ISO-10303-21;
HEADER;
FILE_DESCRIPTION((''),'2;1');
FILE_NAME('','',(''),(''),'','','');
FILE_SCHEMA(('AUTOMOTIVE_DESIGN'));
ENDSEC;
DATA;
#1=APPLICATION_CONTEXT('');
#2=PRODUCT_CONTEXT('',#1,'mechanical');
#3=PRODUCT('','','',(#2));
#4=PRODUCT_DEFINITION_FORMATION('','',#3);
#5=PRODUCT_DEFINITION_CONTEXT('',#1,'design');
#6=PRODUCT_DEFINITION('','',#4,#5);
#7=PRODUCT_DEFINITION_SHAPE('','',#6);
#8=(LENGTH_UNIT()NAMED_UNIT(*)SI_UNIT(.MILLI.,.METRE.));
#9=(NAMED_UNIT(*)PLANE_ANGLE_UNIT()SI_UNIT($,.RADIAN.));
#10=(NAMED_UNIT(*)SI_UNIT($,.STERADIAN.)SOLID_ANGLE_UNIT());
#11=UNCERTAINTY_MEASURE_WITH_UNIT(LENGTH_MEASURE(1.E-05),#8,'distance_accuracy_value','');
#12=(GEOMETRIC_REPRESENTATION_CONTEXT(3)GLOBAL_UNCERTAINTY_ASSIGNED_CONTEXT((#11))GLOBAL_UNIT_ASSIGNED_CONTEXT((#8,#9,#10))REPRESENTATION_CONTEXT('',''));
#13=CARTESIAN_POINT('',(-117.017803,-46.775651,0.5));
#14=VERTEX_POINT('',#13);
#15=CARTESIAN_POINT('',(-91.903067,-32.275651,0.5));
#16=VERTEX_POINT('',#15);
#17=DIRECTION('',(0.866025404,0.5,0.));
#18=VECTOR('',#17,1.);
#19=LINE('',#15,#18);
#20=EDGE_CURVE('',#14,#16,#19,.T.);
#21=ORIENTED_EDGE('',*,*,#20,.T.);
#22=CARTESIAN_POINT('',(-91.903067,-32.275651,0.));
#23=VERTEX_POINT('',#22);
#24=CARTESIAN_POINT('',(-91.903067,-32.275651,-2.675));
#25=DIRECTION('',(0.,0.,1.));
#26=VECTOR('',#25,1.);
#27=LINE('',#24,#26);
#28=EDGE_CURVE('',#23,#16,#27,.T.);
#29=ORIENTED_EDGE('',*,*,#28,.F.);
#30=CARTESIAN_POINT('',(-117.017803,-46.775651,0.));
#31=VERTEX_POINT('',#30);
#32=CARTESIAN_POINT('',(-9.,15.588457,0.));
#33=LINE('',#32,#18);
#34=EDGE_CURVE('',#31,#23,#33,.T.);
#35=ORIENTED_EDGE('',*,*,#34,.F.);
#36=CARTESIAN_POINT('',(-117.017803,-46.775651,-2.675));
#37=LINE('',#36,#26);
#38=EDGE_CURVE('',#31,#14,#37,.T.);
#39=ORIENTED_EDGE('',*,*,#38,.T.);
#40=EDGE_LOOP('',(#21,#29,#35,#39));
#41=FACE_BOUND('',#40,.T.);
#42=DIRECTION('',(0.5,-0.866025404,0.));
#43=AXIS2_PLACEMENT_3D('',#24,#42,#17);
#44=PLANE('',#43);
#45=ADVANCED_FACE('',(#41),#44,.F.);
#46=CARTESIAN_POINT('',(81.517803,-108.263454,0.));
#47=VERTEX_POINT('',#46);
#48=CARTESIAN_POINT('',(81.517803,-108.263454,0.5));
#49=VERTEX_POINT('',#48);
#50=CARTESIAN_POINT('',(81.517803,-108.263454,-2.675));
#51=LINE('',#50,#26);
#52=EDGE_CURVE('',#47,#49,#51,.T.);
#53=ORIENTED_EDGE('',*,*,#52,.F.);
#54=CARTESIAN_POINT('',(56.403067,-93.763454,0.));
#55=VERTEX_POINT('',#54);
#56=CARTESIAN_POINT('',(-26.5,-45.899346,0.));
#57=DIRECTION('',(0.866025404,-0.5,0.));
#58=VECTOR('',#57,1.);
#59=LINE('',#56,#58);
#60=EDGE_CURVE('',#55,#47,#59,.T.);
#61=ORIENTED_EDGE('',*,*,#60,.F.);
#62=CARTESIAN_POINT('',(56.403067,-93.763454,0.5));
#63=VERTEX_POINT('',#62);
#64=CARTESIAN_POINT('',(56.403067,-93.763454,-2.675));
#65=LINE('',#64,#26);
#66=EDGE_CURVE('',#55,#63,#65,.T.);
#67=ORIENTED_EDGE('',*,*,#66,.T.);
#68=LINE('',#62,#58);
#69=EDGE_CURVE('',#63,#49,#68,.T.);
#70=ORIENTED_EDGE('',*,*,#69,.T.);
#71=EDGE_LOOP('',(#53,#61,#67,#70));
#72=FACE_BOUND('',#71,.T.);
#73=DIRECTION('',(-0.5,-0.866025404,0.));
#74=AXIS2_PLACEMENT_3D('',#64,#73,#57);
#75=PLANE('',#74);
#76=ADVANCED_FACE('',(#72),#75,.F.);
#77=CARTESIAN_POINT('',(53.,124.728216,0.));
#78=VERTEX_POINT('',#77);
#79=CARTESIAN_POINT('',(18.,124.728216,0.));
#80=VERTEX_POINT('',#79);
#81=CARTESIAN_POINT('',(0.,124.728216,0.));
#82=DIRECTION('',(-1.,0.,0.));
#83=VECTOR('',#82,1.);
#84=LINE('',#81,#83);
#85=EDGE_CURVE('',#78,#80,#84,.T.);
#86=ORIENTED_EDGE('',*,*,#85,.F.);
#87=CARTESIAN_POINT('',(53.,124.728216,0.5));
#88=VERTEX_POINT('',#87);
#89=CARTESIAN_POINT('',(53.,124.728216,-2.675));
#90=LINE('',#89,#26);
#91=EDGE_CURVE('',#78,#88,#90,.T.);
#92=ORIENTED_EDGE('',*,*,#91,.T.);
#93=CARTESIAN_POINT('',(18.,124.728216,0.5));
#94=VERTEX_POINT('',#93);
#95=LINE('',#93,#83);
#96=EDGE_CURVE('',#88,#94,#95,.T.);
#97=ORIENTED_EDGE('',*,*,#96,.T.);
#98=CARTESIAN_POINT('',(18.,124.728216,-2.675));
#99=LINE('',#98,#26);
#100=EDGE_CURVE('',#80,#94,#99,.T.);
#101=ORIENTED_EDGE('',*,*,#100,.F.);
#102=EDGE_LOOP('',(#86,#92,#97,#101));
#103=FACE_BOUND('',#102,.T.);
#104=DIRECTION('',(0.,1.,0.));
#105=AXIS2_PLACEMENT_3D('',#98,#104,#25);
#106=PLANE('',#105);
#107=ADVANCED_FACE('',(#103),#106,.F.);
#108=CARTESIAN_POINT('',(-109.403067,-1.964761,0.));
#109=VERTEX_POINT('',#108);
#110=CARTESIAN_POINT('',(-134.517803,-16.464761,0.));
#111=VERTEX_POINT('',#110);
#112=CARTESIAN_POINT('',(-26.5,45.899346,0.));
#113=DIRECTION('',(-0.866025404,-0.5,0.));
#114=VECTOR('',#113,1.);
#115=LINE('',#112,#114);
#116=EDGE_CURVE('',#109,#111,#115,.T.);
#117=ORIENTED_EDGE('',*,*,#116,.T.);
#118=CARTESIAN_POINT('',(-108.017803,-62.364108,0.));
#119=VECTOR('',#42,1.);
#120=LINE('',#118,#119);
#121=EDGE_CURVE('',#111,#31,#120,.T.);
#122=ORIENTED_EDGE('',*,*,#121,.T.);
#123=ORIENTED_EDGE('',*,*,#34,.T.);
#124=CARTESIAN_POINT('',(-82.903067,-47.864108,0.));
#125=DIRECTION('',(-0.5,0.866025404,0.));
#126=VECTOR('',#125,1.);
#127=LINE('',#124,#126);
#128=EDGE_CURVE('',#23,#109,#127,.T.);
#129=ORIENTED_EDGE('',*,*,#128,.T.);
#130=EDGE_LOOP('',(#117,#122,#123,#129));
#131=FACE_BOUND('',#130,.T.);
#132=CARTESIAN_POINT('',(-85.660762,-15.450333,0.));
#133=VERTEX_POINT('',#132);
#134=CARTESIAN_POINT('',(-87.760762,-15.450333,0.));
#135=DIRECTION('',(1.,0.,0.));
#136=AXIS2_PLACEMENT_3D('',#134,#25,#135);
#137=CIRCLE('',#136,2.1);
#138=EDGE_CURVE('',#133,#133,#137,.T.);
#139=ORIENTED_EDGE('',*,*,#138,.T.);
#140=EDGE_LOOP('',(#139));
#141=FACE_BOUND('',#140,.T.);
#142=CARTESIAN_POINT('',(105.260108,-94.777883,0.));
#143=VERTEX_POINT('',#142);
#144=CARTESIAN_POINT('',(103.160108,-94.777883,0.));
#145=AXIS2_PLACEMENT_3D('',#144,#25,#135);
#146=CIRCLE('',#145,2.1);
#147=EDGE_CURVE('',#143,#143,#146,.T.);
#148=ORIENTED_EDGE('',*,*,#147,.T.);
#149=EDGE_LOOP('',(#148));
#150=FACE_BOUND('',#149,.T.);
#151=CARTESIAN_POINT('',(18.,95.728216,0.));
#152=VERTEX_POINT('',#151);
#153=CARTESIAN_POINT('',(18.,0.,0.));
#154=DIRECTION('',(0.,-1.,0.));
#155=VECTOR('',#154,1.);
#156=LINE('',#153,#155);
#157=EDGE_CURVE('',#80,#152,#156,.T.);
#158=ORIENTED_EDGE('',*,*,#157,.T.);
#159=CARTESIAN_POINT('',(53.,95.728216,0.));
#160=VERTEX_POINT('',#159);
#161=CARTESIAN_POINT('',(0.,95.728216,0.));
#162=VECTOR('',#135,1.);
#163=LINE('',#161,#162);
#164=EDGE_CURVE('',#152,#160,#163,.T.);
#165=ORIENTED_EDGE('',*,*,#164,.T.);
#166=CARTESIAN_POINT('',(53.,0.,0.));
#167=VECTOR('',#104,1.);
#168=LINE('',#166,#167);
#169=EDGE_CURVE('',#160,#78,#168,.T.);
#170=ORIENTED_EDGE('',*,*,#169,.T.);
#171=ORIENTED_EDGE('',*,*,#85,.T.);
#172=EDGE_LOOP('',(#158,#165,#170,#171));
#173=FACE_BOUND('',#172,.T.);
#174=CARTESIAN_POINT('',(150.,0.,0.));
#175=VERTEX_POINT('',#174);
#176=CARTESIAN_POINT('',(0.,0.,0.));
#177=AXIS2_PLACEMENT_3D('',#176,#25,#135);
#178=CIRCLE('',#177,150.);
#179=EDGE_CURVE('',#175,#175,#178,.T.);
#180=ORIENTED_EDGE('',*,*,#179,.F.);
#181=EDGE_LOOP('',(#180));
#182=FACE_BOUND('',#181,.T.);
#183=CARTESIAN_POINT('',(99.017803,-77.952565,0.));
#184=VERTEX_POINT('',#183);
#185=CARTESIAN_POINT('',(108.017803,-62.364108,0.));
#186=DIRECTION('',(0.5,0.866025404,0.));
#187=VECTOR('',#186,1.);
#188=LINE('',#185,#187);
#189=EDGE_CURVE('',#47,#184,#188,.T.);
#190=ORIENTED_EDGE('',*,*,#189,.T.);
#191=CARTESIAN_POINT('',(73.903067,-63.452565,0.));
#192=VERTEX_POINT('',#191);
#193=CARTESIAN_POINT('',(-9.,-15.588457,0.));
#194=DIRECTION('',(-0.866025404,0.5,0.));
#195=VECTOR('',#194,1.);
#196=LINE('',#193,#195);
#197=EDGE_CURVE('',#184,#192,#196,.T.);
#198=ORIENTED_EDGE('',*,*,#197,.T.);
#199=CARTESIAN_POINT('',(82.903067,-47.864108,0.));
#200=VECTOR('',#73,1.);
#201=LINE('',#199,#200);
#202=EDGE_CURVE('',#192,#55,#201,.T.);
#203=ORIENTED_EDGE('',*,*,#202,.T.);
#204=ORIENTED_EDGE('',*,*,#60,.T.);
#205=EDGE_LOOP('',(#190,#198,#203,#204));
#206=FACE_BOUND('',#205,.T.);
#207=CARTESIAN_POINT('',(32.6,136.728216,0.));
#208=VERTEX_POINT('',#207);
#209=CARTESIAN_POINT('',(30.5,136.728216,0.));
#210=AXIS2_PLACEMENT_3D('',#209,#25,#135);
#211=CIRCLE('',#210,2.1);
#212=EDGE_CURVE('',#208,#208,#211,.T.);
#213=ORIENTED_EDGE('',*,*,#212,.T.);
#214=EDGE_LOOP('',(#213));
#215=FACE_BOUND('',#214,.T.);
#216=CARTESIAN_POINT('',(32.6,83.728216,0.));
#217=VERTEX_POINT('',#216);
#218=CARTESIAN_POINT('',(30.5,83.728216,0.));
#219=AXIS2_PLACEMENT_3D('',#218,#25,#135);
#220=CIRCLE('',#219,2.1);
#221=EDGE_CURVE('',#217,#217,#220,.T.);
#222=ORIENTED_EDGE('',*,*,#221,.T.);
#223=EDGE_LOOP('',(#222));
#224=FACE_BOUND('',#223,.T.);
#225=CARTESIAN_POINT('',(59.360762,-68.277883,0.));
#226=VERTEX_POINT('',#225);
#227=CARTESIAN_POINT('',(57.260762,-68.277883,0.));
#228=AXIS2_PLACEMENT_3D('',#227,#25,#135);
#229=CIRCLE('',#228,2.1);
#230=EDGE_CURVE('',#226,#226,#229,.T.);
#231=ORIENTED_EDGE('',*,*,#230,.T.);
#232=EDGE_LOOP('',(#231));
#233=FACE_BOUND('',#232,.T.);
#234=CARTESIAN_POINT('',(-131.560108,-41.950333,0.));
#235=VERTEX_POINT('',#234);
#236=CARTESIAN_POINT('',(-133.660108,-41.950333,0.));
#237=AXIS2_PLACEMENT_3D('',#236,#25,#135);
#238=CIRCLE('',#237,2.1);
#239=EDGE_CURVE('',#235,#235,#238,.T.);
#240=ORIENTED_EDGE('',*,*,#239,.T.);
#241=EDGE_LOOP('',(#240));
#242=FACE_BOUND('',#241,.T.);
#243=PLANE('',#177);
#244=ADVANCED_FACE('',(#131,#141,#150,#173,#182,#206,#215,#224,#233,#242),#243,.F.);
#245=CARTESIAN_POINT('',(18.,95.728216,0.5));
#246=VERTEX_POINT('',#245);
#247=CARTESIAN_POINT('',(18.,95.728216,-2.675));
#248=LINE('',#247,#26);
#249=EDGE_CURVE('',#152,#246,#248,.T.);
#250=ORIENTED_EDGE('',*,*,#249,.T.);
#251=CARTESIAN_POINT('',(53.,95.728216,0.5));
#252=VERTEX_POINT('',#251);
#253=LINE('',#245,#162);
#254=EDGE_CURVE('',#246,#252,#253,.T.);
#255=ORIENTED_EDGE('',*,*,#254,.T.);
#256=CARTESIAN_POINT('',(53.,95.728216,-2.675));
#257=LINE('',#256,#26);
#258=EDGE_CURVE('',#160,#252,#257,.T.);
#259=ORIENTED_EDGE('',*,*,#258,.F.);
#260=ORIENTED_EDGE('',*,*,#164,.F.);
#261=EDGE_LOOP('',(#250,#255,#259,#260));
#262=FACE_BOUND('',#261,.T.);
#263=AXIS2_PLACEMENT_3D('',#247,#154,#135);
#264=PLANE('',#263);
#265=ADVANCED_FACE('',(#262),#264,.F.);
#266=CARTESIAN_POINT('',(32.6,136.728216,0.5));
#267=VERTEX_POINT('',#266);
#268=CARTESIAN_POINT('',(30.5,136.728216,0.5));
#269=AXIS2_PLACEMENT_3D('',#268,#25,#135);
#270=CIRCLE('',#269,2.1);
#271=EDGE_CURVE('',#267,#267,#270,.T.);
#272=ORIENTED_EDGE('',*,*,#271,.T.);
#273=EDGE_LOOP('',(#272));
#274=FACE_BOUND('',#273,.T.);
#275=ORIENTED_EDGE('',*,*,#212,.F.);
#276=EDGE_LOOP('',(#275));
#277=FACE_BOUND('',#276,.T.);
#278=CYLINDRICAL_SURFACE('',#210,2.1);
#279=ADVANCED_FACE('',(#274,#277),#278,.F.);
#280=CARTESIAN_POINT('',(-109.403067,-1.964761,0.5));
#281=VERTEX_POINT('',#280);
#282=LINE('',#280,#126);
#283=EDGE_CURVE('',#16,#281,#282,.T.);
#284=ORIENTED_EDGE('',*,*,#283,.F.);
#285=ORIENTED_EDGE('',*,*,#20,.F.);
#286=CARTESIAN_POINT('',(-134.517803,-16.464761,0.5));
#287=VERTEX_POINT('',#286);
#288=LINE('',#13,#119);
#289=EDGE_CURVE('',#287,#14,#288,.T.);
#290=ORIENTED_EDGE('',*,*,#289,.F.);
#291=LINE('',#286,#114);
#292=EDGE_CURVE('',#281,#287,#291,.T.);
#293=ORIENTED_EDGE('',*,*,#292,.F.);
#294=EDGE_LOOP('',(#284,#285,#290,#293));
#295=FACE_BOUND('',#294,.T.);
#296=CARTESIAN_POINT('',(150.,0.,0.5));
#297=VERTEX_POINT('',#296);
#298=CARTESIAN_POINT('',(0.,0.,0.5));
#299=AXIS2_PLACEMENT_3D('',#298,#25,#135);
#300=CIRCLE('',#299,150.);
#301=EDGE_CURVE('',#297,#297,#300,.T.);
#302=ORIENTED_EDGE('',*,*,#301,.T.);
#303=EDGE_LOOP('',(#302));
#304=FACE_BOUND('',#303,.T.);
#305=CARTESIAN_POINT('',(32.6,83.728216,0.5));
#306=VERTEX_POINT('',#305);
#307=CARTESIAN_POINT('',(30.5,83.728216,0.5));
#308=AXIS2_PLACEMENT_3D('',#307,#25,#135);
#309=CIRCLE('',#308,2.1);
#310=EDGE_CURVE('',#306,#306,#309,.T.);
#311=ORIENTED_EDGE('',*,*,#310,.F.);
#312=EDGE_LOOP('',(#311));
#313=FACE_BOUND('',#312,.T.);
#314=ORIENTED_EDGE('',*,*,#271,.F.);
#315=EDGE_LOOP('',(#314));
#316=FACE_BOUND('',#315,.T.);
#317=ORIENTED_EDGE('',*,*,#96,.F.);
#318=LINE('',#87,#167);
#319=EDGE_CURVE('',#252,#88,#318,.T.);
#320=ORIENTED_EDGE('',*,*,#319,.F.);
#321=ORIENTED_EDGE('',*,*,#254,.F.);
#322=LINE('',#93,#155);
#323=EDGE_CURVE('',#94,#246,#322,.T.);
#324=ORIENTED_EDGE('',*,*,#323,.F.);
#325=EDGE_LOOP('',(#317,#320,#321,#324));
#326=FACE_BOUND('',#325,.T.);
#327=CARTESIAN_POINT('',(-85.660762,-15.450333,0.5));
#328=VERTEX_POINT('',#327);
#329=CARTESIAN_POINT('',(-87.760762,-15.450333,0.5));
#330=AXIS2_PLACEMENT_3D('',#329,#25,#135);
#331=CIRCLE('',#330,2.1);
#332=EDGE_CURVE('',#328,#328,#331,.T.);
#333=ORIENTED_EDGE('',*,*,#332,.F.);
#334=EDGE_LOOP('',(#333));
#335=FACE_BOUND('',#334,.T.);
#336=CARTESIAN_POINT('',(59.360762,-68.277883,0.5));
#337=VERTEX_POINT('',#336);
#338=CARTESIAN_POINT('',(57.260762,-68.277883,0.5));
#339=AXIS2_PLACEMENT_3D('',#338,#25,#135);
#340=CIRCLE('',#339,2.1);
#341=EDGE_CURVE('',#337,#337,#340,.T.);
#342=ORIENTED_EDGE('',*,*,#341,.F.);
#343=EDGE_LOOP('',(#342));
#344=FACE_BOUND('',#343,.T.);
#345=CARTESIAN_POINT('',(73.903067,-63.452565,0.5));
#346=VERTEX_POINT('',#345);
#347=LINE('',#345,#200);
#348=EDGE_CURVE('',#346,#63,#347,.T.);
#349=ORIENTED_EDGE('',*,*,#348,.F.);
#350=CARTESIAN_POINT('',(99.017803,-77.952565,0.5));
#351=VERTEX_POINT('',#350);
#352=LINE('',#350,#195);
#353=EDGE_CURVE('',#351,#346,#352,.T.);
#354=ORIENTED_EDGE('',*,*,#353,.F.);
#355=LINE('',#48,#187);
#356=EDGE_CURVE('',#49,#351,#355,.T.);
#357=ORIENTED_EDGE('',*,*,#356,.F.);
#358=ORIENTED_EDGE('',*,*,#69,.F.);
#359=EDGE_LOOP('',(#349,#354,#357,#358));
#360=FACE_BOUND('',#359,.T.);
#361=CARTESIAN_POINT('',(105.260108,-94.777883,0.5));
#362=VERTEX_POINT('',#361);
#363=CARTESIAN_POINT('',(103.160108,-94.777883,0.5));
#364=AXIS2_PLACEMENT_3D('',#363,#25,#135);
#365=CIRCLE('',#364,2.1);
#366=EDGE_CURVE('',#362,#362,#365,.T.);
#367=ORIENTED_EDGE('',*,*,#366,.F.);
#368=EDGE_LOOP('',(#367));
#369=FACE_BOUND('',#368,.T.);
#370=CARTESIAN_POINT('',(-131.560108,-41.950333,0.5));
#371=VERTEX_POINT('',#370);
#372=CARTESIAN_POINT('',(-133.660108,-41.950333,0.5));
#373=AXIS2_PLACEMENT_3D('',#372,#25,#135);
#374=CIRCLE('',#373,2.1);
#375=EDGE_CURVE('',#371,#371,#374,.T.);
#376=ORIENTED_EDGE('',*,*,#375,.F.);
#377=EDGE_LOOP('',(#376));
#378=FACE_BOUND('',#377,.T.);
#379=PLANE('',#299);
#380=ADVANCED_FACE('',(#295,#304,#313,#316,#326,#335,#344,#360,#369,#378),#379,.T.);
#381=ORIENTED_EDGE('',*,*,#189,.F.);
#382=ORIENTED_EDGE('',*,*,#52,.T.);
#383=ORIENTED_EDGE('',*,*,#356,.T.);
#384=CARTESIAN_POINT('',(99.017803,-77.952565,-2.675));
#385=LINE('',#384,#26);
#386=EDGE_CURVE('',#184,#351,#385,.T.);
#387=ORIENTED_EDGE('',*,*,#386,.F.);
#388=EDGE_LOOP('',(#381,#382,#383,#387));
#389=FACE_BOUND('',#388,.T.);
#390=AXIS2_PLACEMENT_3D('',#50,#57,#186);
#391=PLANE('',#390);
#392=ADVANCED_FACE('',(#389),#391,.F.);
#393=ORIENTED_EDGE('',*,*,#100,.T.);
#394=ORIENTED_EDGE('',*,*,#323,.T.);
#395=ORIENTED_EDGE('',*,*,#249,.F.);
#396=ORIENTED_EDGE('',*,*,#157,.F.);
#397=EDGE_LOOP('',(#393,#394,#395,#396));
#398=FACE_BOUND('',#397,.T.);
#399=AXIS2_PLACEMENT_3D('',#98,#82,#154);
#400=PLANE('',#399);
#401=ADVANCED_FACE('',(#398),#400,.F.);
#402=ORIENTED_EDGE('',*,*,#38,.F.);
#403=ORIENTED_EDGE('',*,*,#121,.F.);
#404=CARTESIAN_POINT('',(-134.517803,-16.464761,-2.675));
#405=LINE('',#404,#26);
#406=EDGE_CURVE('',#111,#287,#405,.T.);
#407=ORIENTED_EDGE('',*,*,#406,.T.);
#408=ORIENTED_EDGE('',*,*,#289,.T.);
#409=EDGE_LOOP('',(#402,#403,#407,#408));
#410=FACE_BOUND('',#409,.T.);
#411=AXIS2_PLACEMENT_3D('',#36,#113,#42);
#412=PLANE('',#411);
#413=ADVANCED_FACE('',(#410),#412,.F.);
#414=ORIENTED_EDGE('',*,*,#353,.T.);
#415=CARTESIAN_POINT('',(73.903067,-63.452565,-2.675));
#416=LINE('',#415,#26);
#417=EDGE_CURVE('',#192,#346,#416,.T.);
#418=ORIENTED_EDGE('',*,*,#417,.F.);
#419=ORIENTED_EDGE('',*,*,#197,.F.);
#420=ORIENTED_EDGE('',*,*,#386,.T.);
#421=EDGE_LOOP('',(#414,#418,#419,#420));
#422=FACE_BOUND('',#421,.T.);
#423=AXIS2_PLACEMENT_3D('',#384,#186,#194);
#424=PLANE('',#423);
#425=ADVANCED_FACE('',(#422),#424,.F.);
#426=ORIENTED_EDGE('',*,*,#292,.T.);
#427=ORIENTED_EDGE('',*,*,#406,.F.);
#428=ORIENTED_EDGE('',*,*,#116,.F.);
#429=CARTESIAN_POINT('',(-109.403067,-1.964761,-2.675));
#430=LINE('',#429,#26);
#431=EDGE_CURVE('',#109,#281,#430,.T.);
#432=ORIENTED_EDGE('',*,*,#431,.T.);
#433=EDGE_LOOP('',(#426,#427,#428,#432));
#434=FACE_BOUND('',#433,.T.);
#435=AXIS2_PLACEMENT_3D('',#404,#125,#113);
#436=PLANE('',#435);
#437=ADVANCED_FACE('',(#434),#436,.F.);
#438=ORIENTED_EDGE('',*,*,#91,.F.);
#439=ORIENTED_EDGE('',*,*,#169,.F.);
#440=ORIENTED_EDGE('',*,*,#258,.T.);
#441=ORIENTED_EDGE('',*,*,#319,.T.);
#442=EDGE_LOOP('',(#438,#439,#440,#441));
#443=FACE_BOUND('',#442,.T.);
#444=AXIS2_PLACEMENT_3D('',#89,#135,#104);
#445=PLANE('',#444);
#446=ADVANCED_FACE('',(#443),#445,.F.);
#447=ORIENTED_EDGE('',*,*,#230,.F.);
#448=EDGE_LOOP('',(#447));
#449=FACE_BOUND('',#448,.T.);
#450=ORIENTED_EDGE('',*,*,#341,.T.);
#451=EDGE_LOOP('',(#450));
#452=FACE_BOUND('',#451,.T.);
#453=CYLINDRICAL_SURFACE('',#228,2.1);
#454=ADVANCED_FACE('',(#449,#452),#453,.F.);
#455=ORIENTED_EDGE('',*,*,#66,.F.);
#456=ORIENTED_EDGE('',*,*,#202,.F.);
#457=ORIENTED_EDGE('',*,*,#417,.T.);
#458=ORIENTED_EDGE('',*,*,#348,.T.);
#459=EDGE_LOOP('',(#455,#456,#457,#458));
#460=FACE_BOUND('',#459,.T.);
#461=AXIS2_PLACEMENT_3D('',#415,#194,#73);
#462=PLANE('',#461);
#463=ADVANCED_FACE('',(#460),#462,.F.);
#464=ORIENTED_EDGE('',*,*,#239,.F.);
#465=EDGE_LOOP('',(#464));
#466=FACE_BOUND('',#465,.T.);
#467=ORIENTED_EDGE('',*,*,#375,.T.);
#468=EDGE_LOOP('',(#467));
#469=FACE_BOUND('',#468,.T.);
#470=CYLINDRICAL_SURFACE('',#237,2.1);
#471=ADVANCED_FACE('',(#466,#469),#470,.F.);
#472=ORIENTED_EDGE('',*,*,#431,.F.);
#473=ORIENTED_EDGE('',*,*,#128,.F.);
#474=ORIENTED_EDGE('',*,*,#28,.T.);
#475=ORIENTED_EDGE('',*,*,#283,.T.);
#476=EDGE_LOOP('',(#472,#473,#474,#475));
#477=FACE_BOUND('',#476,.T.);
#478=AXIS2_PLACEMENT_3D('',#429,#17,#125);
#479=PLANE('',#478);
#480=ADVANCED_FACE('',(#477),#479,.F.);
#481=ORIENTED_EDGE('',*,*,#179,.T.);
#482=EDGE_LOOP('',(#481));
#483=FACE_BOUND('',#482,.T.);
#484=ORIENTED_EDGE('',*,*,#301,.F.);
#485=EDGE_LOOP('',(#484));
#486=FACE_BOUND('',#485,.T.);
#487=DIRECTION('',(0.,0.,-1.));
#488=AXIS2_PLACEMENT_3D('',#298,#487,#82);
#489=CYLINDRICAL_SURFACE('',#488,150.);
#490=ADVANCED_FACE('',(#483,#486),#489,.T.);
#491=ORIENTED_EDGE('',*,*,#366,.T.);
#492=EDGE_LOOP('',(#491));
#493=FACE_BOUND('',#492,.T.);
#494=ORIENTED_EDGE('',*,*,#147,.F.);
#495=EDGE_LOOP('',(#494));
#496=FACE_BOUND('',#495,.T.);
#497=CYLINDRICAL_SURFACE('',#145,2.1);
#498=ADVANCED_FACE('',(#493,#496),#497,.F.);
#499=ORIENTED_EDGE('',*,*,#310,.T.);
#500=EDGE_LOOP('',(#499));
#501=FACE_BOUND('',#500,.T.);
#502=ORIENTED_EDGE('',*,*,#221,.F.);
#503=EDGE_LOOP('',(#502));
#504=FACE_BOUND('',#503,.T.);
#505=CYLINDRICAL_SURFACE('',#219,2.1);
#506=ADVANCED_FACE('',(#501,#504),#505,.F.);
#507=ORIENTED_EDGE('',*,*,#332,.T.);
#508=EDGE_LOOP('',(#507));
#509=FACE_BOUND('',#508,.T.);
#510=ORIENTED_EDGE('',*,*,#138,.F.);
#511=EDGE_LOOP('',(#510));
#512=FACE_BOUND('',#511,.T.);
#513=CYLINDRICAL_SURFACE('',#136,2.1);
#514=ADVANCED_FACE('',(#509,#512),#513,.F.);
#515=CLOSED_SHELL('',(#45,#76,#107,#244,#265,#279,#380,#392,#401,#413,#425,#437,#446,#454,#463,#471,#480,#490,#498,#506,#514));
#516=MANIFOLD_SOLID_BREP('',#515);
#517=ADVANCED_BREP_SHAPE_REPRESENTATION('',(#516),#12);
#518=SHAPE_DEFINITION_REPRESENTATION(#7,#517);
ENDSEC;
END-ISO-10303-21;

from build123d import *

# Parameters (mm, degrees)
ESQUISSE1_R             = 150
BOSS_EXTRU_1_DEPTH      = 0.5
ESQUISSE6_W             = 35
ESQUISSE6_H             = 29
ENL_V_MAT_EXTRU_2_DEPTH = 3.175
ESQUISSE7_R             = 2.1
ENL_V_MAT_EXTRU_3_DEPTH = 213.132623611


with BuildPart() as part:
    # Esquisse1 → Boss.-Extru.1 (new body)
    with BuildSketch(Plane.XY):
        Circle(ESQUISSE1_R)
    extrude(amount=BOSS_EXTRU_1_DEPTH)

    # Esquisse6 → Enlèv. mat.-Extru.2 (cut)
    with BuildSketch(Plane.XY.offset(0.5)):
        with Locations((35.5, 110.228215567)):
            Rectangle(ESQUISSE6_W, ESQUISSE6_H)
        Polygon((73.90306654, -63.452565052), (56.40306654, -93.763454184), (81.51780325, -108.263454184), (99.01780325, -77.952565052), align=None)
        Polygon((-109.40306654, -1.964761383), (-91.90306654, -32.275650515), (-117.01780325, -46.775650515), (-134.51780325, -16.464761383), align=None)
    extrude(amount=-ENL_V_MAT_EXTRU_2_DEPTH, mode=Mode.SUBTRACT)

    # Esquisse7 → Enlèv. mat.-Extru.3 (cut, through all)
    with BuildSketch(Plane.XY.offset(0.5)):
        with Locations((-133.660108095, -41.950332968)):
            Circle(ESQUISSE7_R)
        with Locations((-87.760761694, -15.450332968)):
            Circle(ESQUISSE7_R)
        with Locations((30.5, 136.728215567)):
            Circle(ESQUISSE7_R)
        with Locations((30.5, 83.728215567)):
            Circle(ESQUISSE7_R)
        with Locations((103.160108095, -94.777882599)):
            Circle(ESQUISSE7_R)
        with Locations((57.260761694, -68.277882599)):
            Circle(ESQUISSE7_R)
    extrude(amount=-ENL_V_MAT_EXTRU_3_DEPTH, mode=Mode.SUBTRACT)


solid = part.part
